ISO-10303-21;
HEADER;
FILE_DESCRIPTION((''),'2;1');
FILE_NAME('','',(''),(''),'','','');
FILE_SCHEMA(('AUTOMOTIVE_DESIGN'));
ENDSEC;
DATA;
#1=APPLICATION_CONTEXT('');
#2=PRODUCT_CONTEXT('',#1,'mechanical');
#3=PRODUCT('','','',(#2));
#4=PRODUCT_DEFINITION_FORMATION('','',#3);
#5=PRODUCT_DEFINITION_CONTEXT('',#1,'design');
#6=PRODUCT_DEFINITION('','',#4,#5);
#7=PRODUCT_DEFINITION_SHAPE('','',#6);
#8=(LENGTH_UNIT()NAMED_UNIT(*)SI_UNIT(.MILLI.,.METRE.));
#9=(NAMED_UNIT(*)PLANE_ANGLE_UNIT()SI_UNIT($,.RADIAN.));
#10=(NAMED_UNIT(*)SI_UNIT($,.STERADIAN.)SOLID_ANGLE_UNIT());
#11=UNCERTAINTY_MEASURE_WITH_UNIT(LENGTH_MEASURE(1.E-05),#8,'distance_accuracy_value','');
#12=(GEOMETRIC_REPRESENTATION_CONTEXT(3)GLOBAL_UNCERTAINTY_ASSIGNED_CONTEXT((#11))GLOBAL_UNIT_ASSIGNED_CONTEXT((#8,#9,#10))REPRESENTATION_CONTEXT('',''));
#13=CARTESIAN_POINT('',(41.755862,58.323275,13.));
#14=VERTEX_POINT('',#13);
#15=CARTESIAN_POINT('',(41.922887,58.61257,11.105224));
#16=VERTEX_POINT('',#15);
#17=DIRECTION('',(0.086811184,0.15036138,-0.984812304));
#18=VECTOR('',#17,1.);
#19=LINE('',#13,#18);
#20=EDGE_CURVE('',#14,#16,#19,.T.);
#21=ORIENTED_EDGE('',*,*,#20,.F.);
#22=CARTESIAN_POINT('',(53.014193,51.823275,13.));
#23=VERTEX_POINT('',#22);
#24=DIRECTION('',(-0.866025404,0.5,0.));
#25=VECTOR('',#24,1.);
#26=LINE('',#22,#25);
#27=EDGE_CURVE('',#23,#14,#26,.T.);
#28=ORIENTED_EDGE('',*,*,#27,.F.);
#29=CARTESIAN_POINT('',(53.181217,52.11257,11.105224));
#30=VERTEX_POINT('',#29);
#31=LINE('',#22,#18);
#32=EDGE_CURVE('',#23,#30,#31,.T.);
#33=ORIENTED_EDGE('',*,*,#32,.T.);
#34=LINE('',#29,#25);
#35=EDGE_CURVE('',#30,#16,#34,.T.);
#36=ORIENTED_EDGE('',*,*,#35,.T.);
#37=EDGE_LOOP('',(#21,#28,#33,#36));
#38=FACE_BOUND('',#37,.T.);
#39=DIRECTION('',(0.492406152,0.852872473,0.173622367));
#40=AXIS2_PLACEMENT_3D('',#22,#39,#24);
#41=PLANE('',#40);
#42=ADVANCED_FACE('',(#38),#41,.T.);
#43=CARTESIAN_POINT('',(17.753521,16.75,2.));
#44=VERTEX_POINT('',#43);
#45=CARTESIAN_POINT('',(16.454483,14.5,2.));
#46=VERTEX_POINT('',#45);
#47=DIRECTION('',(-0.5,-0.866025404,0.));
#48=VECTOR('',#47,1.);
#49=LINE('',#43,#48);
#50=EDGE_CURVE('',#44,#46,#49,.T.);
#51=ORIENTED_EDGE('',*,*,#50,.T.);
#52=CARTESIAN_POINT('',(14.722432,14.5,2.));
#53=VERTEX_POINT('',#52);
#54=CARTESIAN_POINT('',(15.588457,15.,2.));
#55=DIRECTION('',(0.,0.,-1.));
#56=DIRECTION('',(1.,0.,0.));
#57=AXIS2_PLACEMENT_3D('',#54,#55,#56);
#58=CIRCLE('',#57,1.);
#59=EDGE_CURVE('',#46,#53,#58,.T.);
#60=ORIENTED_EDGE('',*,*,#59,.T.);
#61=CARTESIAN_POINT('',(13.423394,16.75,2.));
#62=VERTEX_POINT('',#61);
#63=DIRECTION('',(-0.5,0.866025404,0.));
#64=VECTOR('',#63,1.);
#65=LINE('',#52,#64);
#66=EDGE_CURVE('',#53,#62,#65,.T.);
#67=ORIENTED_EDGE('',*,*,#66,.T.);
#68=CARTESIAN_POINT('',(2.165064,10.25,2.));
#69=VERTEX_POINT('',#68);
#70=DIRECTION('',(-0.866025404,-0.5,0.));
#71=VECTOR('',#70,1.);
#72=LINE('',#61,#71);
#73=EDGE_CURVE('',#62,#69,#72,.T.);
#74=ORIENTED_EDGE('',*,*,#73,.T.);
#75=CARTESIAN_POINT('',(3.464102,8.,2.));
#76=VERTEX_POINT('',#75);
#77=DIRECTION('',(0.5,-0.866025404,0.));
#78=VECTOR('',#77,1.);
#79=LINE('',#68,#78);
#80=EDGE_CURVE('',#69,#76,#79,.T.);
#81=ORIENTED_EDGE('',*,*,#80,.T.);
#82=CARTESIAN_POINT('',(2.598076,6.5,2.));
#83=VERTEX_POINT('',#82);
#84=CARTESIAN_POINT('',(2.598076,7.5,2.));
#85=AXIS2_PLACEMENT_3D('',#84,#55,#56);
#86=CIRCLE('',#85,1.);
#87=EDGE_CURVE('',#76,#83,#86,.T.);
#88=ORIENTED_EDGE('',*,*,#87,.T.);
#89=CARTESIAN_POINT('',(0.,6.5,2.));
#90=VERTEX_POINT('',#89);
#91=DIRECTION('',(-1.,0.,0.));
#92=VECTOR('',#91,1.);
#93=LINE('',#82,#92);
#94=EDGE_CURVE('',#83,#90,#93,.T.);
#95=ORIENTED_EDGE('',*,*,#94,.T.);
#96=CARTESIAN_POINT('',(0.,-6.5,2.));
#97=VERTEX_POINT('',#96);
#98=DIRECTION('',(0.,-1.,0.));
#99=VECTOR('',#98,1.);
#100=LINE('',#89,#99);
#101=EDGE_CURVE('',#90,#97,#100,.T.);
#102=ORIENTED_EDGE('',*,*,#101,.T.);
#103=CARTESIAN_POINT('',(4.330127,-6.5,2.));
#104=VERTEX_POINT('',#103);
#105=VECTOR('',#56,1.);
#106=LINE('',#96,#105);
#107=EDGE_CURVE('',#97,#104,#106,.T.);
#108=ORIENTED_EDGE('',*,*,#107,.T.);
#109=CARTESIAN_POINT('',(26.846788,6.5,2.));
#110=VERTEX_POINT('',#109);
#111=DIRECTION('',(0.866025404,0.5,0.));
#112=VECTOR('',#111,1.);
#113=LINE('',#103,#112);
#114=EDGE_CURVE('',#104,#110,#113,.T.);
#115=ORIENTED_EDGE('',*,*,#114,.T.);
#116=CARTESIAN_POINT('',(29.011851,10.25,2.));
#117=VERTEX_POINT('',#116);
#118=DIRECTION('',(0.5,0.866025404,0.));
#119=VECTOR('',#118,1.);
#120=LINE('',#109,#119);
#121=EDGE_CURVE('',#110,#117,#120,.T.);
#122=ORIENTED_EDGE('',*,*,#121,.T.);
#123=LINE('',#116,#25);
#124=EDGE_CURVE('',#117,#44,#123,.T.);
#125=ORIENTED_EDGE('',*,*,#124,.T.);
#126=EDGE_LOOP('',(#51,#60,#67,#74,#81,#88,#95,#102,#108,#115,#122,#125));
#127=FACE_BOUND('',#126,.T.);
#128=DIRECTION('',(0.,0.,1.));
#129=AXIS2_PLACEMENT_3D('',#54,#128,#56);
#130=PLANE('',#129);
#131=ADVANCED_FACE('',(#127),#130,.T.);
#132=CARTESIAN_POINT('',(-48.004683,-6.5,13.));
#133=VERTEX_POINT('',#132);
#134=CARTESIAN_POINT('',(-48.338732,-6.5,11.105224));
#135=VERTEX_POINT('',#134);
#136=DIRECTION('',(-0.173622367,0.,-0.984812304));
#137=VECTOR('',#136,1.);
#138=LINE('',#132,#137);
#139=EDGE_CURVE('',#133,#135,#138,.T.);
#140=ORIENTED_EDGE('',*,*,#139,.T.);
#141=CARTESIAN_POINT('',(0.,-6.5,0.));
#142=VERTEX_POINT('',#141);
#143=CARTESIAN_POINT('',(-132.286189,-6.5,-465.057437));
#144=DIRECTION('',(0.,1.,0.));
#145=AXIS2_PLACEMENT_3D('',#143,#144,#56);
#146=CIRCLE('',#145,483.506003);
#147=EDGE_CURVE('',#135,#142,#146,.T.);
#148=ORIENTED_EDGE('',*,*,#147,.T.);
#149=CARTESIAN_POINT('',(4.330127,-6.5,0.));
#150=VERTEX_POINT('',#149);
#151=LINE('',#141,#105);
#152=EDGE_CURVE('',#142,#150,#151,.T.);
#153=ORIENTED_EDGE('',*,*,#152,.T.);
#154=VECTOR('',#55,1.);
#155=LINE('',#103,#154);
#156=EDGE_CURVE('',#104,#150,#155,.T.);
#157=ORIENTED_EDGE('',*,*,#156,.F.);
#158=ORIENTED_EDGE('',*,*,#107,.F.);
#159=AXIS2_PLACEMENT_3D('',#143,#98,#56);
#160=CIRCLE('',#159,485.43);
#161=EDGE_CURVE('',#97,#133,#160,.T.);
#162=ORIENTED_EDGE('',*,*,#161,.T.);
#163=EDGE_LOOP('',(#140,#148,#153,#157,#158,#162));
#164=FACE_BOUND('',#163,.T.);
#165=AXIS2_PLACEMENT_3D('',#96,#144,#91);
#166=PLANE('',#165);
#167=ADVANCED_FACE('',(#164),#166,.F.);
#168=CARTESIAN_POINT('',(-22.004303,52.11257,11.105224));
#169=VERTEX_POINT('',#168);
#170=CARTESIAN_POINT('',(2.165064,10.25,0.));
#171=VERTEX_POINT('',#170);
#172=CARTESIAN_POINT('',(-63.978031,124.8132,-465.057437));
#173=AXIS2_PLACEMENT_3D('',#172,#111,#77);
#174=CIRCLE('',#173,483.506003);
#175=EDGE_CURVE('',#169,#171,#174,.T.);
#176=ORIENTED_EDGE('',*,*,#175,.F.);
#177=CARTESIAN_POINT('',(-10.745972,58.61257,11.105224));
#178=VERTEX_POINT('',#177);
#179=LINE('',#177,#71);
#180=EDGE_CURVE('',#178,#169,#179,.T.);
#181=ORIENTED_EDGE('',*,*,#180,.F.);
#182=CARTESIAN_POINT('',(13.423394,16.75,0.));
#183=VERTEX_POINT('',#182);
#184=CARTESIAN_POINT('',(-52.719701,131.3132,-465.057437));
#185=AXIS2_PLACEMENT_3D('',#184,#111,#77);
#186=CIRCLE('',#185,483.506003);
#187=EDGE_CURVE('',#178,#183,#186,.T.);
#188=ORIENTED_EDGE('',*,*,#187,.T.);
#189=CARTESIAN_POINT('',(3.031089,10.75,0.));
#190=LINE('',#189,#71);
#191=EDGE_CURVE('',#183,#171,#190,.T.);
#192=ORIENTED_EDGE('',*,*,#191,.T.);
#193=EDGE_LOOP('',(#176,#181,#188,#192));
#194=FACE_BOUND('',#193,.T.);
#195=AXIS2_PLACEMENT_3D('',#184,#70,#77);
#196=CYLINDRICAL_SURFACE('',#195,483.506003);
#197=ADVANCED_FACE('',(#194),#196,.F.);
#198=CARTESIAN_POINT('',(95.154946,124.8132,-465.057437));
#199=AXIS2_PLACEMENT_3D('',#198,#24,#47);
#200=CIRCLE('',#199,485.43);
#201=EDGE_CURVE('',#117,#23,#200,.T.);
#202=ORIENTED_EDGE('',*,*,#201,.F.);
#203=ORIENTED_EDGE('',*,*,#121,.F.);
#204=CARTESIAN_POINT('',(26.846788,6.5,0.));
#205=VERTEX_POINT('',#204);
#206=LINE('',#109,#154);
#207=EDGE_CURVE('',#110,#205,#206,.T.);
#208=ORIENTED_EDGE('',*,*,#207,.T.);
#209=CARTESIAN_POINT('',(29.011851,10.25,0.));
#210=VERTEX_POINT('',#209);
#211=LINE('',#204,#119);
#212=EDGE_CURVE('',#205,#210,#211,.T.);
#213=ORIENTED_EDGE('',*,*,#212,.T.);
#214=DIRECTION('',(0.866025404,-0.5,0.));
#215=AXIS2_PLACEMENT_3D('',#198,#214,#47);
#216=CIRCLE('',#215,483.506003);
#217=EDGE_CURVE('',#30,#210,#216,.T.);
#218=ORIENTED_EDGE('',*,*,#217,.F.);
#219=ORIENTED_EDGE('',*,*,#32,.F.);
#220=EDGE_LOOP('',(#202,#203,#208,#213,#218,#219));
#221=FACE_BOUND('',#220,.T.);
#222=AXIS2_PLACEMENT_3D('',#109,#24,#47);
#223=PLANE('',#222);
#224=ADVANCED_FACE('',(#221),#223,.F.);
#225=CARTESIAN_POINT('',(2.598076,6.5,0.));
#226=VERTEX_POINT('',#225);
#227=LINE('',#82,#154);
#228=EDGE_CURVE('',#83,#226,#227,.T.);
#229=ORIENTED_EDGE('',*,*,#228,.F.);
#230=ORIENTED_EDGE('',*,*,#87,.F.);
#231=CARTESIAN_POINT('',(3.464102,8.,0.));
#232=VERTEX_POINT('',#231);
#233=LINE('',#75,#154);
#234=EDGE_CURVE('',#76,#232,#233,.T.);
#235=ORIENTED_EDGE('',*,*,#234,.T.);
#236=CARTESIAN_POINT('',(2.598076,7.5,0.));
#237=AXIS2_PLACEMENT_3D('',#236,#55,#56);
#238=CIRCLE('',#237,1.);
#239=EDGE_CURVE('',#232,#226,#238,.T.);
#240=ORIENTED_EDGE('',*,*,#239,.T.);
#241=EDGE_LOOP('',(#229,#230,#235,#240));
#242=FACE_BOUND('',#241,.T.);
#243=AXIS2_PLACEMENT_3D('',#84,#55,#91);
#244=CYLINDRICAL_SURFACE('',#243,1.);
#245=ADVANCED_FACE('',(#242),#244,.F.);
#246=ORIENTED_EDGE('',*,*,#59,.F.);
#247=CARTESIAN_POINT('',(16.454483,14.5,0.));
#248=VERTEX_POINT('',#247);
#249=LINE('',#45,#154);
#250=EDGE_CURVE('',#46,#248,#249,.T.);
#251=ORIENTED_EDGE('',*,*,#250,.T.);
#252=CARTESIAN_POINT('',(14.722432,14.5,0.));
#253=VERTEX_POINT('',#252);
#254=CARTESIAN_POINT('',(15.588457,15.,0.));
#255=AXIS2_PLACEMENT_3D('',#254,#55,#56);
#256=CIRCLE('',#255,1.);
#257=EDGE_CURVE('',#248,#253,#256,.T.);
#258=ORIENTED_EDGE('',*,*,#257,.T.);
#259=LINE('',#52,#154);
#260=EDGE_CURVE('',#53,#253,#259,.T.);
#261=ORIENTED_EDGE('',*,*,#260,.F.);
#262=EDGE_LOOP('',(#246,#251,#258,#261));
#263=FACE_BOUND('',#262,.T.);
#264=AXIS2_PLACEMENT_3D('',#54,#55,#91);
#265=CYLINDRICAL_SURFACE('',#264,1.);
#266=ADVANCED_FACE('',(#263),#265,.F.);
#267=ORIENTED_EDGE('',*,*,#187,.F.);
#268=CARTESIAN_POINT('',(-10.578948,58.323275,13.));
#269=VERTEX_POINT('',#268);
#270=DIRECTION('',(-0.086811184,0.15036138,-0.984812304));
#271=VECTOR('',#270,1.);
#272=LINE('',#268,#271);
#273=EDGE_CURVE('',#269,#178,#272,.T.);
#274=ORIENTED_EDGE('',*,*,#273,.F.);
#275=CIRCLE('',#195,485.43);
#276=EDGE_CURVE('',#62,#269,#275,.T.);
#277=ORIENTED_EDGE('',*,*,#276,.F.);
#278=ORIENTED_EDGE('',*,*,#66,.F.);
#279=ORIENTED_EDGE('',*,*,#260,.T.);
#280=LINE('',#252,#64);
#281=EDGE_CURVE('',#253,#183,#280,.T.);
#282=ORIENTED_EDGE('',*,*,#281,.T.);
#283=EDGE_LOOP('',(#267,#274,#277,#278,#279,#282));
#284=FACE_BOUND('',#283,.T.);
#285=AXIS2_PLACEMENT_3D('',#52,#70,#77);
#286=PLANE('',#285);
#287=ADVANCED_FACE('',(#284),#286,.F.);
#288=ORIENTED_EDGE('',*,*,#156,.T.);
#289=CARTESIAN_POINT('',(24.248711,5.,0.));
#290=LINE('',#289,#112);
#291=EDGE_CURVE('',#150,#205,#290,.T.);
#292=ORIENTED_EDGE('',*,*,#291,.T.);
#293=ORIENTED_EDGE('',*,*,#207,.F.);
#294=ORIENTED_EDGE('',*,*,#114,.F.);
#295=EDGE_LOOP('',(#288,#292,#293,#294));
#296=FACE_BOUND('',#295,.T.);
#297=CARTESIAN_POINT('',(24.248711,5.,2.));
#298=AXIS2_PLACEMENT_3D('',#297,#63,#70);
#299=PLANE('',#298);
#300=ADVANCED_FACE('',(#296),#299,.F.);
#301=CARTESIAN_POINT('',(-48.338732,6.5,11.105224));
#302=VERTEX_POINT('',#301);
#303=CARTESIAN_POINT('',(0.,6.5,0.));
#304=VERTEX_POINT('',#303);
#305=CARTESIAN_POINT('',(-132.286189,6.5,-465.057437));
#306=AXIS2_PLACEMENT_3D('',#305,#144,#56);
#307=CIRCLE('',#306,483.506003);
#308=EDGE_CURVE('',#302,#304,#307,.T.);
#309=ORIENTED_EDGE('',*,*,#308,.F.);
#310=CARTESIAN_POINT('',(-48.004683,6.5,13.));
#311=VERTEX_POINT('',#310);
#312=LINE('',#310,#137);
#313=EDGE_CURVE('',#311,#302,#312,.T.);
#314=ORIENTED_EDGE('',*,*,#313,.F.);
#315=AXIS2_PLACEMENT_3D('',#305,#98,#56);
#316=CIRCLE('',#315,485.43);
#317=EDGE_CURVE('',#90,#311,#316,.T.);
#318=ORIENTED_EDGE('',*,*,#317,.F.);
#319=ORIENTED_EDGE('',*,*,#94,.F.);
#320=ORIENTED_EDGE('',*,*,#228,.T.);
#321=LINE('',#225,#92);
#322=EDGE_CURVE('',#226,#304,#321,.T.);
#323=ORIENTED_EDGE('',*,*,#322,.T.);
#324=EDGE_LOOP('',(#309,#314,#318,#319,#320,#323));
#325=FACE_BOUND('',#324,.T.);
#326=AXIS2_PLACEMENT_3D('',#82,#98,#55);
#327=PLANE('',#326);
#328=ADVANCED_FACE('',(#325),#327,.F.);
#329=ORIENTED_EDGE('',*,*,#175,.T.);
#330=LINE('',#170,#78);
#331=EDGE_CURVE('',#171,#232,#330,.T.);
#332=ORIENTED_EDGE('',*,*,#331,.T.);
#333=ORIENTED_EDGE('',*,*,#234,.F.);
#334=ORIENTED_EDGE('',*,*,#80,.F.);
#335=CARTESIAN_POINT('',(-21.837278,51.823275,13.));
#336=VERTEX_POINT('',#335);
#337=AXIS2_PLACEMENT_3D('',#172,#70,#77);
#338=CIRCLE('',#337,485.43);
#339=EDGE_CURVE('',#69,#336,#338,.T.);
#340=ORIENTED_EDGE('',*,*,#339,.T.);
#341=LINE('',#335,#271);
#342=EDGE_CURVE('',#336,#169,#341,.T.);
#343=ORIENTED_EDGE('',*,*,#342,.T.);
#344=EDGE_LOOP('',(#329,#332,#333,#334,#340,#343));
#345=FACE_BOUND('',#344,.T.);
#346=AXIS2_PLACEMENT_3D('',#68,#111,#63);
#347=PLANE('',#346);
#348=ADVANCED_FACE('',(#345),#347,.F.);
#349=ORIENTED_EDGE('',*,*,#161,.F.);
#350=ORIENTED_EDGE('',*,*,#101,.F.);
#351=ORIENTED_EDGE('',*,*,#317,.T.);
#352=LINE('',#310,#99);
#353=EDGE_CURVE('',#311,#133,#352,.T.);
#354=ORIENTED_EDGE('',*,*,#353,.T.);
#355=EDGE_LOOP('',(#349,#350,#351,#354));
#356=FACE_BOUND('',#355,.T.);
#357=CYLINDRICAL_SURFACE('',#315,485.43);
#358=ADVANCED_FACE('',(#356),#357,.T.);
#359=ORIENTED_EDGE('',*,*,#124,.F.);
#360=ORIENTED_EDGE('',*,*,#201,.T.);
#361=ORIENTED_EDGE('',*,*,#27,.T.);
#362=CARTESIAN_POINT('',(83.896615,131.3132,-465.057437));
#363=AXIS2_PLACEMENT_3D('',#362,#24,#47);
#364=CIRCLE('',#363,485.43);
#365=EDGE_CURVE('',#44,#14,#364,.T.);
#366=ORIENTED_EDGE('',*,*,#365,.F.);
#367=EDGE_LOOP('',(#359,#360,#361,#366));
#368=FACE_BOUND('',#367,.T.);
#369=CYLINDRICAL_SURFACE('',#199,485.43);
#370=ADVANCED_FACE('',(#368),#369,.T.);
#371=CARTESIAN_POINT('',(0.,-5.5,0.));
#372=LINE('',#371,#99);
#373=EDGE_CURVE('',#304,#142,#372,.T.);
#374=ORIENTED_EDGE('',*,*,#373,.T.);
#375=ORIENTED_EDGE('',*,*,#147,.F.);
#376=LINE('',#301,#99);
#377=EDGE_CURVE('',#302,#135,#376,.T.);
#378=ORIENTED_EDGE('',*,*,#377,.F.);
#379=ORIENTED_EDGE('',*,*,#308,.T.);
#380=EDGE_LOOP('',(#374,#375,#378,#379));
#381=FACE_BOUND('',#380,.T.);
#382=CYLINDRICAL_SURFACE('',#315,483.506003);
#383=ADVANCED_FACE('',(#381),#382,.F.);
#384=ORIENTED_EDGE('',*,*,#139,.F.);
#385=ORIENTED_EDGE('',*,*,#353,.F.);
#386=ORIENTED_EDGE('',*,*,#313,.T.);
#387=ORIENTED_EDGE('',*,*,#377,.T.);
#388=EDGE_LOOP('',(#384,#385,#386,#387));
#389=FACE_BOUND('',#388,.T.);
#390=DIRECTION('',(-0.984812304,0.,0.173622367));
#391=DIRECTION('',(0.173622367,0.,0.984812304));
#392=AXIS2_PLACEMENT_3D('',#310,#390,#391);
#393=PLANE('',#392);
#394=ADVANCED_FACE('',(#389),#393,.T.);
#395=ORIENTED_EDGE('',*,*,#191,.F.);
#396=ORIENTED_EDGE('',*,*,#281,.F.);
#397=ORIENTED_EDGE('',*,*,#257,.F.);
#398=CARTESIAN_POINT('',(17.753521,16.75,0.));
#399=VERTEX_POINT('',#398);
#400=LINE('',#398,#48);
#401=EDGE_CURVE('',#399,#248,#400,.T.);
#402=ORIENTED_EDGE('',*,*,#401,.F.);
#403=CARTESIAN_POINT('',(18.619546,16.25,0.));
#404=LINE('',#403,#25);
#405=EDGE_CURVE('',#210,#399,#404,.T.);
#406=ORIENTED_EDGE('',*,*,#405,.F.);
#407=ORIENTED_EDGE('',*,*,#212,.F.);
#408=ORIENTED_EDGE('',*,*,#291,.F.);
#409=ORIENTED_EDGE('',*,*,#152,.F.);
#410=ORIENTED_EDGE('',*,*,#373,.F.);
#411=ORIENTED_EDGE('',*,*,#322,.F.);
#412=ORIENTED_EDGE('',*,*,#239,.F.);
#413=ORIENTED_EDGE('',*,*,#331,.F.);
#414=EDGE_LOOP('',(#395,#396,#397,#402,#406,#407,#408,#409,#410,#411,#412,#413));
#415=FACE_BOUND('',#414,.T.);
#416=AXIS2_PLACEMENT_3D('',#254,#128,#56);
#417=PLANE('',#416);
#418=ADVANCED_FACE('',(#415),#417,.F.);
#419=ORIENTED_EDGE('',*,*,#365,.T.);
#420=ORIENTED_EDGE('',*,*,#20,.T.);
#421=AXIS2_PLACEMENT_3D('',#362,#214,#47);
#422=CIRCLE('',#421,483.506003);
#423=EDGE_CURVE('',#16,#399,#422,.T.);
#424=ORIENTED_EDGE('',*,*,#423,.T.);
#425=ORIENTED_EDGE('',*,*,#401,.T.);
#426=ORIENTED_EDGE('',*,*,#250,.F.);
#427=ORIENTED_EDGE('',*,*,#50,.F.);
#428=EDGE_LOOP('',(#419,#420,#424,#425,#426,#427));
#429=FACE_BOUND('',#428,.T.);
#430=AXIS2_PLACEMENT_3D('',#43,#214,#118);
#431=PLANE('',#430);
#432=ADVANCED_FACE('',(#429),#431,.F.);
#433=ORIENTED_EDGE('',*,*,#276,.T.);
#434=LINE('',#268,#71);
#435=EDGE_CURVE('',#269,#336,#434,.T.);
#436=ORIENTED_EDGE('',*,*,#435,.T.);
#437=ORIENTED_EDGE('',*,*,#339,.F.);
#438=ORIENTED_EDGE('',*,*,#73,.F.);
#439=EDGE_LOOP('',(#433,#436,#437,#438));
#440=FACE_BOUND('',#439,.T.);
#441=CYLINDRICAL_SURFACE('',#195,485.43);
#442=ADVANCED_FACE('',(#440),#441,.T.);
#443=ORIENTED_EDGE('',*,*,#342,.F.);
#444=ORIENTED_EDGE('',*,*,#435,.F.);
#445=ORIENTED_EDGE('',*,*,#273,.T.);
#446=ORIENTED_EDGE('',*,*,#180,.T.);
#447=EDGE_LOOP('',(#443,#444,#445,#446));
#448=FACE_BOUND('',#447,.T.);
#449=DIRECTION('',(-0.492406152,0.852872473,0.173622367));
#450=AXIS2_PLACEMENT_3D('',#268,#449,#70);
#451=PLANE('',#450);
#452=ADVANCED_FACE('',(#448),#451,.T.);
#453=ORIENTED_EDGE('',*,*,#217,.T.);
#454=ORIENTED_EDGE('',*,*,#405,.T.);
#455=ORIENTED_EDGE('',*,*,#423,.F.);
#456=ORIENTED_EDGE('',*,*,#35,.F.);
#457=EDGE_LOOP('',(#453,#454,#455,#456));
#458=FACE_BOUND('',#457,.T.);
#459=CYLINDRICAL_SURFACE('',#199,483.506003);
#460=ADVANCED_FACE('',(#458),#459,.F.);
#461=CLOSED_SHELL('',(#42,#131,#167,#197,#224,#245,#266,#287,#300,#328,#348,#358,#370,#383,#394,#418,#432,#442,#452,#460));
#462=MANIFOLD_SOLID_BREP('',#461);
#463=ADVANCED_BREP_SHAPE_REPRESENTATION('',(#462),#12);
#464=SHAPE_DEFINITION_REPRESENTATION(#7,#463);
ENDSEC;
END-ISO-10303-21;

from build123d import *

# Parameters (mm, degrees)
AUFSATZ_LINEAR_AUSTRAGEN1_DEPTH = 2
AUFSATZ_LINEAR_AUSTRAGEN5_DEPTH = 13
KREISMUSTER3_COUNT              = 3
KREISMUSTER3_ANGLE              = 120


with BuildPart() as part:
    # Skizze1 → Aufsatz-Linear austragen1 (new body)
    with BuildSketch(Plane.XY):
        with BuildLine():
            Line((29.011851027, 10.25), (28.145825623, 10.75))
            Line((28.145825623, 10.75), (25.547749412, 12.25))
            Line((25.547749412, 12.25), (21.217622393, 14.75))
            Line((21.217622393, 14.75), (18.619546181, 16.25))
            Line((18.619546181, 16.25), (17.753520778, 16.75))
            Line((17.753520778, 16.75), (16.454482672, 14.5))
            ThreePointArc((16.454482672, 14.5), (15.588457268, 14), (14.722431864, 14.5))
            Line((14.722431864, 14.5), (13.423393759, 16.75))
            Line((13.423393759, 16.75), (12.557368355, 16.25))
            Line((12.557368355, 16.25), (9.959292144, 14.75))
            Line((9.959292144, 14.75), (5.629165125, 12.25))
            Line((5.629165125, 12.25), (3.031088913, 10.75))
            Line((3.031088913, 10.75), (2.165063509, 10.25))
            Line((2.165063509, 10.25), (3.464101615, 8))
            ThreePointArc((3.464101615, 8), (3.464101615, 7), (2.598076211, 6.5))
            Line((2.598076211, 6.5), (0, 6.5))
            Line((0, 6.5), (0, 5.5))
            Line((0, 5.5), (0, 2.5))
            Line((0, 2.5), (0, -2.5))
            Line((0, -2.5), (0, -5.5))
            Line((0, -5.5), (0, -6.5))
            Line((0, -6.5), (4.330127019, -6.5))
            Line((4.330127019, -6.5), (6.92820323, -5))
            Line((6.92820323, -5), (24.248711306, 5))
            Line((24.248711306, 5), (26.846787517, 6.5))
            Line((26.846787517, 6.5), (29.011851027, 10.25))
        make_face()
    extrude(amount=AUFSATZ_LINEAR_AUSTRAGEN1_DEPTH)

    # Skizze6 → Aufsatz-Linear austragen5 (add)
    with BuildSketch(Plane.XZ.offset(6.5)):
        with BuildLine():
            Line((-48.004683363, 13), (-48.338732237, 11.105224302))
            ThreePointArc((-48.338732237, 11.105224302), (-24.026875813, 6.172842822), (0, 0))
            Line((0, 0), (0, 2))
            ThreePointArc((0, 2), (-23.862752465, 8.109176013), (-48.004683363, 13))
        make_face()
    aufsatz_linear_austragen5 = extrude(amount=-AUFSATZ_LINEAR_AUSTRAGEN5_DEPTH)

    # Kreismuster3: Aufsatz-Linear austragen5 ×3 about axis
    kreismuster3_axis = Axis((15.588457268, 0, 0), (0, 0, -1))
    for i in range(1, KREISMUSTER3_COUNT):
        add(aufsatz_linear_austragen5.rotate(kreismuster3_axis, i * KREISMUSTER3_ANGLE / (KREISMUSTER3_COUNT - 1)))


solid = part.part
